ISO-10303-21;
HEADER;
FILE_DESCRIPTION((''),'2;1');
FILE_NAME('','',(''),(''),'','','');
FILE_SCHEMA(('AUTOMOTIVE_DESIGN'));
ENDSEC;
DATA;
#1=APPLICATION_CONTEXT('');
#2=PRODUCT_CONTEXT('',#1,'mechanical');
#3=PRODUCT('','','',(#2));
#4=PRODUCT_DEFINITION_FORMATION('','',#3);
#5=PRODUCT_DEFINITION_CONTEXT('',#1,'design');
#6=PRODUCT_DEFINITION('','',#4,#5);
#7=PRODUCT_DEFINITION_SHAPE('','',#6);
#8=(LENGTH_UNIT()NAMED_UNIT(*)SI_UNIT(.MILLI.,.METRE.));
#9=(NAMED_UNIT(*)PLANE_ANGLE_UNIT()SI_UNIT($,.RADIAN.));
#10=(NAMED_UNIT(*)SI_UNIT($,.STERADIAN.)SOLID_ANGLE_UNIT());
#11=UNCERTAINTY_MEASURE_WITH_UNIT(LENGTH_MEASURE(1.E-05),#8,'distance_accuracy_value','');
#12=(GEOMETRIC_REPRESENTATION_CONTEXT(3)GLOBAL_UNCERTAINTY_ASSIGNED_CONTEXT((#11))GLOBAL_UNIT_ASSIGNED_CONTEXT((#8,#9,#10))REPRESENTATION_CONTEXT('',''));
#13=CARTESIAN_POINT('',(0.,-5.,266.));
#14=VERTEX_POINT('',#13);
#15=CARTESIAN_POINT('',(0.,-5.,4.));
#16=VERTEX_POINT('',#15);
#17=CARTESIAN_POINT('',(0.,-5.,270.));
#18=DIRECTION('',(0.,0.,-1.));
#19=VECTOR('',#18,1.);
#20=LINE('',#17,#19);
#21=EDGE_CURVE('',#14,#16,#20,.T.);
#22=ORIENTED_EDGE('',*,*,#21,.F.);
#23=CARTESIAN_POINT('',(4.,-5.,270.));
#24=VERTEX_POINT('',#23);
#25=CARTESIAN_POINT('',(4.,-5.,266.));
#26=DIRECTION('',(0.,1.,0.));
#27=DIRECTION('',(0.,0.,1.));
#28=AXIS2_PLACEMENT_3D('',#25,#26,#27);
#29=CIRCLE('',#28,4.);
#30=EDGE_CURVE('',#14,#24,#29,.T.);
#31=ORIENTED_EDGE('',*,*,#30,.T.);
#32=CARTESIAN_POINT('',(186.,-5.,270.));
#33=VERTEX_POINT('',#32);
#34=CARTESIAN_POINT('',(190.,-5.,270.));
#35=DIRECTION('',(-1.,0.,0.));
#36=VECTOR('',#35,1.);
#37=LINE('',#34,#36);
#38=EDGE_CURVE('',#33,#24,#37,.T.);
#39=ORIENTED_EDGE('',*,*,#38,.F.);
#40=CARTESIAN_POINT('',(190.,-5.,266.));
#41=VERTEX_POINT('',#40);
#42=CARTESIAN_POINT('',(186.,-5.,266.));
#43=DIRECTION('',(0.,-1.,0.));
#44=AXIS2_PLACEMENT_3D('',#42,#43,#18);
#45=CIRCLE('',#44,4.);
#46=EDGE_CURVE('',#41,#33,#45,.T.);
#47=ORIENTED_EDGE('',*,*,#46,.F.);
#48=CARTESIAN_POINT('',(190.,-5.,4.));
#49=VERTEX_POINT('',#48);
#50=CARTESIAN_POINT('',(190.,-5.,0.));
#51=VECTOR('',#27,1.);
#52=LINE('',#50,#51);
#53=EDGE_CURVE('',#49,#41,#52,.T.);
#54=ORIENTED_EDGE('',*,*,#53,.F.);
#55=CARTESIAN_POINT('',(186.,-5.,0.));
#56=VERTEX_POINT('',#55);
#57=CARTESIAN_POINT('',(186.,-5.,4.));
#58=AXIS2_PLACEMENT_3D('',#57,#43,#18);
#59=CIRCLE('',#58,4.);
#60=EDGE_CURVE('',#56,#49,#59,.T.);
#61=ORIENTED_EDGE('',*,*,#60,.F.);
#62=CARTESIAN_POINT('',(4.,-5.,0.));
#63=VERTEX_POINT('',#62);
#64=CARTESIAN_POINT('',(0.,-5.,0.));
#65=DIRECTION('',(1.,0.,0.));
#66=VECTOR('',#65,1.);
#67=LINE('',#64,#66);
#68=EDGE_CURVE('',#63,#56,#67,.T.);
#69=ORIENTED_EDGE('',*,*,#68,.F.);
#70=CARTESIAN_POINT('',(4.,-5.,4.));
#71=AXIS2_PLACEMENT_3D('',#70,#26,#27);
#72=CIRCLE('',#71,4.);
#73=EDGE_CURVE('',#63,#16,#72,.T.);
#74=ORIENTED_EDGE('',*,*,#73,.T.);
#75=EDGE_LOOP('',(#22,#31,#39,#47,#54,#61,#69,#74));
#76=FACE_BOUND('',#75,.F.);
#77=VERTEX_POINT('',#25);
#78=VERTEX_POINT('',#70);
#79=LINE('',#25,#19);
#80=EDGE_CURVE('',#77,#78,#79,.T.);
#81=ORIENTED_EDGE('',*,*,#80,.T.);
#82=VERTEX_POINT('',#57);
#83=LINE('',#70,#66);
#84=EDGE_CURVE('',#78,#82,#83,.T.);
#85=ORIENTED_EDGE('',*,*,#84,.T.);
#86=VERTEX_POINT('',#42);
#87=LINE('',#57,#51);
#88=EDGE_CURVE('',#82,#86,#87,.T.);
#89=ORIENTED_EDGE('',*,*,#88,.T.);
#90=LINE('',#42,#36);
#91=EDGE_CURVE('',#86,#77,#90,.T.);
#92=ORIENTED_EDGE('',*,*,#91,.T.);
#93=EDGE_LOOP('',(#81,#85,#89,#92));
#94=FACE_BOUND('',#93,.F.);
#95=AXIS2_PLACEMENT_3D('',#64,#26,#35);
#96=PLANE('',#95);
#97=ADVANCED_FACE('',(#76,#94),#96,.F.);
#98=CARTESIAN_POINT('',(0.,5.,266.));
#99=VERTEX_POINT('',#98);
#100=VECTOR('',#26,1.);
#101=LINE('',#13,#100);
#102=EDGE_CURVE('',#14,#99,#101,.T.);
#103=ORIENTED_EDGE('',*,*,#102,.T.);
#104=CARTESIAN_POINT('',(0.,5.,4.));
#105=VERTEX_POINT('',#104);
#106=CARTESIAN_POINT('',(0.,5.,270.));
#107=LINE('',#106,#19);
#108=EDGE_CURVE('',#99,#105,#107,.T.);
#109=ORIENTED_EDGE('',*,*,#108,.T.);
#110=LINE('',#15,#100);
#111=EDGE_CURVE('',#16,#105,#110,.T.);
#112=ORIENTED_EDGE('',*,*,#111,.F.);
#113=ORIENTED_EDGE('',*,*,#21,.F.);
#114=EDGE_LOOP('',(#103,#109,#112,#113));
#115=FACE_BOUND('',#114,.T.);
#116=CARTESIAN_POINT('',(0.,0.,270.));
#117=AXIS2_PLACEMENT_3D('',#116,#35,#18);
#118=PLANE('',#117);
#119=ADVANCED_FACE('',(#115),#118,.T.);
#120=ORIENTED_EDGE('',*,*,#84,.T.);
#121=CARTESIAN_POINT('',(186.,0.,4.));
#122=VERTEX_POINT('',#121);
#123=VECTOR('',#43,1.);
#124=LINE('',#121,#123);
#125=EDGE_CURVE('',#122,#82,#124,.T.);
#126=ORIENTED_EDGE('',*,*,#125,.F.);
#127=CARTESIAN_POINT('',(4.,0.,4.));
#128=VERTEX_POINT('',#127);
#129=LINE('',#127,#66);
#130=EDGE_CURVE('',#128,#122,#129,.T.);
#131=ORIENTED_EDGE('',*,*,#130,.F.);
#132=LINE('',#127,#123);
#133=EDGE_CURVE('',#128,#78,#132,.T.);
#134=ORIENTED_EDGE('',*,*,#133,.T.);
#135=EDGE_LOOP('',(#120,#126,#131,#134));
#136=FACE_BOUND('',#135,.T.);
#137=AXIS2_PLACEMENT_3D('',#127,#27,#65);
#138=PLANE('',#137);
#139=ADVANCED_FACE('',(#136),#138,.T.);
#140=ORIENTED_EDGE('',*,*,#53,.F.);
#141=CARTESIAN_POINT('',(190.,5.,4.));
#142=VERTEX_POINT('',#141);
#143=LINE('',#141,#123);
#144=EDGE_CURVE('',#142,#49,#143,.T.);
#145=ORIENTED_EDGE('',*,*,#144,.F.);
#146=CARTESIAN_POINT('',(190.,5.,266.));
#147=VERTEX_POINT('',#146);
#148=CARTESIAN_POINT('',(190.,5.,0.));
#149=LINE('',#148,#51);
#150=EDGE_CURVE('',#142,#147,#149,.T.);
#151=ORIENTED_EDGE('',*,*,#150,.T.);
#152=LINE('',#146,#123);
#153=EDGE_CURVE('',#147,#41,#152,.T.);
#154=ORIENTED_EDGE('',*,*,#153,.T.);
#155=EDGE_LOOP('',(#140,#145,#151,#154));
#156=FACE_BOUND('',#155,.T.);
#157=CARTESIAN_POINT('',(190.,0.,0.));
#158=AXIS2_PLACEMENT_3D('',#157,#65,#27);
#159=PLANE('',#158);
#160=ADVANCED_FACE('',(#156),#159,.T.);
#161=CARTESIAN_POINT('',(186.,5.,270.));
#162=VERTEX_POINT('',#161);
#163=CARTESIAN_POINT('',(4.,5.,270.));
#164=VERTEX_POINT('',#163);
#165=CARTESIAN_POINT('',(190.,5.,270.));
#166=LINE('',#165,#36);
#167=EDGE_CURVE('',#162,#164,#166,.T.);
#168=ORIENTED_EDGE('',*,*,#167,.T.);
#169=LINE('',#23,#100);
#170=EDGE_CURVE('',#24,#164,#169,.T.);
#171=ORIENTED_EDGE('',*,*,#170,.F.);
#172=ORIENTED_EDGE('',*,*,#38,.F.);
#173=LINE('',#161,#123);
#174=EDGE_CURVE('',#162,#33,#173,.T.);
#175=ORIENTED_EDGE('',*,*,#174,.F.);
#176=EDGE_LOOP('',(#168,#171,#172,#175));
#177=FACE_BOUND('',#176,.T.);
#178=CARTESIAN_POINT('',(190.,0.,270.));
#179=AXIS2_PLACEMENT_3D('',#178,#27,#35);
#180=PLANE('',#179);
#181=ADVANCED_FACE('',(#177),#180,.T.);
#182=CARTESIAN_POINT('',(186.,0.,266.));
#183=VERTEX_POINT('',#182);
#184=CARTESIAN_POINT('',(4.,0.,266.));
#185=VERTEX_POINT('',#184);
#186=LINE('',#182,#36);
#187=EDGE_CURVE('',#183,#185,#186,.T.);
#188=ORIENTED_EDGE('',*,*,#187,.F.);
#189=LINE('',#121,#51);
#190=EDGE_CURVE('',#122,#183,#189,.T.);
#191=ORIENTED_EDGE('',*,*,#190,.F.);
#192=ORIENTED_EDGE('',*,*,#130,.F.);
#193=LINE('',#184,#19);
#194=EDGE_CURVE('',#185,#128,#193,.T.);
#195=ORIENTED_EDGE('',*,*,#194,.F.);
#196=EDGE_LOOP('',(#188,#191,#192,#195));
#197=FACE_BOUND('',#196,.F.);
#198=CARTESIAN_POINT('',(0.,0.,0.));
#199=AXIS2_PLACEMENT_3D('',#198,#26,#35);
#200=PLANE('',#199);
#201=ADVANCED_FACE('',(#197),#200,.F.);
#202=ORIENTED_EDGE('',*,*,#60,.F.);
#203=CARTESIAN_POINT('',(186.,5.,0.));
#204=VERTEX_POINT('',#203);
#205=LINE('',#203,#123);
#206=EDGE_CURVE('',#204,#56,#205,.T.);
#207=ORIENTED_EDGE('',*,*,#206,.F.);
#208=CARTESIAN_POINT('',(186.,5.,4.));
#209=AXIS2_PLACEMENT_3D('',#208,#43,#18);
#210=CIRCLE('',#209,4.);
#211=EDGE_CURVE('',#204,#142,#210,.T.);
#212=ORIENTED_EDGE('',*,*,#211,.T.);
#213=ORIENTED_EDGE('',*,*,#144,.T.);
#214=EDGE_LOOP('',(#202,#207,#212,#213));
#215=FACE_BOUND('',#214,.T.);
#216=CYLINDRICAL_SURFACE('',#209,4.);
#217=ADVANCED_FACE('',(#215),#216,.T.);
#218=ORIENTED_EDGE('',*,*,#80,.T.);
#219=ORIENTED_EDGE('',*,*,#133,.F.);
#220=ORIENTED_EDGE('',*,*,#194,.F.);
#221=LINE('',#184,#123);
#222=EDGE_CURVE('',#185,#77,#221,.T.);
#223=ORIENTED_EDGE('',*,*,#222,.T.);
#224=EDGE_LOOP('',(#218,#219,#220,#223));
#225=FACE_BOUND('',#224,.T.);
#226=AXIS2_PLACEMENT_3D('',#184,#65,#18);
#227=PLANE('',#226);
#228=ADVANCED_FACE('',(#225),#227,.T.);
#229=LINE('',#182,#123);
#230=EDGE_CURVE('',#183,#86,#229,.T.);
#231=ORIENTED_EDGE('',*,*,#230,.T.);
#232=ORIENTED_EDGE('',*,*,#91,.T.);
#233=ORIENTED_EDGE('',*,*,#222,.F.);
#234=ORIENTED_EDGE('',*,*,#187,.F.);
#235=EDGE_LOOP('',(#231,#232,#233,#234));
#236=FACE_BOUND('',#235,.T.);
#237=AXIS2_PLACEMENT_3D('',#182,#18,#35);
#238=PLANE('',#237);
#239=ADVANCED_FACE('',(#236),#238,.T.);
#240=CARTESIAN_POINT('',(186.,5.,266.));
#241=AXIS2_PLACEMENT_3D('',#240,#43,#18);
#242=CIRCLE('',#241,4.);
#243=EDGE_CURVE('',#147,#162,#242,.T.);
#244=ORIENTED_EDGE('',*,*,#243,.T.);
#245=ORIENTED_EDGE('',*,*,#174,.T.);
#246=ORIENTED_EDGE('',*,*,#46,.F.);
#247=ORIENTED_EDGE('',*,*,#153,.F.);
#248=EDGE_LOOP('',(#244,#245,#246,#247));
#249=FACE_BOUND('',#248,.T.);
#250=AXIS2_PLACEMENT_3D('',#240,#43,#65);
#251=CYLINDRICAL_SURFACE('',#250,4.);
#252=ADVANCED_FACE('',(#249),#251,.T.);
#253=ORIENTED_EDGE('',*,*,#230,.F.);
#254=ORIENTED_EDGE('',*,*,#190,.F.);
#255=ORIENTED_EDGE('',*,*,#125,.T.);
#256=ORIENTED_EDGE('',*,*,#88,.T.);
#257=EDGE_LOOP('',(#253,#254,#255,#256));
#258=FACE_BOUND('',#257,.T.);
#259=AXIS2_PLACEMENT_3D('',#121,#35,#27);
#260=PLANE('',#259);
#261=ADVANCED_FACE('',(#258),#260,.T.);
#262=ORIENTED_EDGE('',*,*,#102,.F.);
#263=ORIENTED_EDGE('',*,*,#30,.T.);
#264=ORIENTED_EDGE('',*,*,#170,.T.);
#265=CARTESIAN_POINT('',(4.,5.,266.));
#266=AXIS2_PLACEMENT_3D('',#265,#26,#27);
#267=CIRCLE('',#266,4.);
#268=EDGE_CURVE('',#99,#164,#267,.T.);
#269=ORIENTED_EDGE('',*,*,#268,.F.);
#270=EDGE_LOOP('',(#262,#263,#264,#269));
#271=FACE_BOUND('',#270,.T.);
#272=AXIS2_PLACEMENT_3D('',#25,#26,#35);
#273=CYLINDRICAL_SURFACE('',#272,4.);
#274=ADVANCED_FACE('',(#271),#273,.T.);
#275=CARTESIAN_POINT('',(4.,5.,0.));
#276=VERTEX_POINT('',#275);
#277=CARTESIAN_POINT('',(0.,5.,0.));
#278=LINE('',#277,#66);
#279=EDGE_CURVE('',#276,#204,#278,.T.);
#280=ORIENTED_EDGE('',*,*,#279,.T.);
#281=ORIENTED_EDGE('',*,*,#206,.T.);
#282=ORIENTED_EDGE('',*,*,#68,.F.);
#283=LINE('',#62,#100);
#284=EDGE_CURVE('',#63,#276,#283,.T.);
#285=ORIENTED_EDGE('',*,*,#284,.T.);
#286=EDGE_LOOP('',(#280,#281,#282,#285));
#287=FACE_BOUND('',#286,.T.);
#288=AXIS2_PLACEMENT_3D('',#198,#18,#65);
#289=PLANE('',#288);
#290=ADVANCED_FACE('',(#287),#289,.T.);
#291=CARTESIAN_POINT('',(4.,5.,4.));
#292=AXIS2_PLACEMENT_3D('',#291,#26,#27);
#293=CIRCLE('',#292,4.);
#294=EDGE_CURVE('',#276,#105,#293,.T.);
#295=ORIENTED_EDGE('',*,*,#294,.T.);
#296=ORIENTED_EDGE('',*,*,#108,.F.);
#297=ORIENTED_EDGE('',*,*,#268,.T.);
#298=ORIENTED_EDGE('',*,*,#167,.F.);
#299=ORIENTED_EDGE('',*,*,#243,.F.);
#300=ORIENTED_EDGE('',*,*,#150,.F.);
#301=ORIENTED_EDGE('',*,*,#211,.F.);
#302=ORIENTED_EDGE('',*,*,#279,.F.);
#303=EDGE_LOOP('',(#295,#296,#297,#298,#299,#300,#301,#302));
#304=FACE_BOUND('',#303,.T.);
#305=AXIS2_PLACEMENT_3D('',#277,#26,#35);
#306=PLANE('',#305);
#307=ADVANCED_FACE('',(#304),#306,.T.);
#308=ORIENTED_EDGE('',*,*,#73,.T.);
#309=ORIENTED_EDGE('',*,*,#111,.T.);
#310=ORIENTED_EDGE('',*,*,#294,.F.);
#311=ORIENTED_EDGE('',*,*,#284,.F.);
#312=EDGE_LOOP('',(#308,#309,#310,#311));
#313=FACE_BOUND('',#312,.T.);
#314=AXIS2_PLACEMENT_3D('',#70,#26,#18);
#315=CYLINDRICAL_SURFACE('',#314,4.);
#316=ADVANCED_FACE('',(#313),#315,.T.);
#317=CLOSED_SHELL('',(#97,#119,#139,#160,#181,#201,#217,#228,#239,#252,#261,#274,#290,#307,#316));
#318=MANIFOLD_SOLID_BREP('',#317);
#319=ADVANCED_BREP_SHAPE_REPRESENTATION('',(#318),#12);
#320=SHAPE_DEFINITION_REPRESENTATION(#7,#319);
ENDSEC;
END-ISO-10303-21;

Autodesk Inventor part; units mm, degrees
ref_plane "YZ Plane" through (0, 0, 0) normal (1, 0, 0) x (0, 1, 0)
ref_plane "XZ Plane" through (0, 0, 0) normal (0, 1, 0) x (-1, 0, 0)
ref_plane "XY Plane" through (0, 0, 0) normal (0, 0, 1) x (1, 0, 0)
sketch "Szkic2" plane through (0, 0, 0) normal (0, 1, 0) x (-1, 0, 0)
  line L0 (0, 0) -> (-190, 0)
  line L1 (-190, 0) -> (-190, 270)
  line L2 (-190, 270) -> (0, 270)
  line L3 (0, 270) -> (0, 0)
  dimension "d0" = 190
  dimension "d1" = 270
extrude "Wyciągnięcie proste1" add sketch "Szkic2" along normal mid plane 10
fillet "Zaokrąglenie1" radius 4 4 edges at (190, 0, 0) (0, 0, 0) (0, 0, 270) (190, 0, 270)
sketch "Szkic4" plane through (0, 0, 0) normal (0, 1, 0) x (-1, 0, 0)
  line L0 (-4, 4) -> (-186, 4)
  line L1 (-186, 4) -> (-186, 266)
  line L2 (-186, 266) -> (-4, 266)
  line L3 (-4, 266) -> (-4, 4)
  line L4 (-186, 0) -> (-4, 0) projected
  line L5 (0, 4) -> (0, 266) projected
  line L6 (-190, 266) -> (-190, 4) projected
  line L7 (-4, 270) -> (-186, 270) projected
  point P0 (0, 0)
  dimension "d13" = 4
  dimension "d14" = 4
  dimension "d16" = 4
  dimension "d17" = 4
extrude "Wyciągnięcie proste3" cut sketch "Szkic4" against normal blind 5
properties part number "klapka1"
